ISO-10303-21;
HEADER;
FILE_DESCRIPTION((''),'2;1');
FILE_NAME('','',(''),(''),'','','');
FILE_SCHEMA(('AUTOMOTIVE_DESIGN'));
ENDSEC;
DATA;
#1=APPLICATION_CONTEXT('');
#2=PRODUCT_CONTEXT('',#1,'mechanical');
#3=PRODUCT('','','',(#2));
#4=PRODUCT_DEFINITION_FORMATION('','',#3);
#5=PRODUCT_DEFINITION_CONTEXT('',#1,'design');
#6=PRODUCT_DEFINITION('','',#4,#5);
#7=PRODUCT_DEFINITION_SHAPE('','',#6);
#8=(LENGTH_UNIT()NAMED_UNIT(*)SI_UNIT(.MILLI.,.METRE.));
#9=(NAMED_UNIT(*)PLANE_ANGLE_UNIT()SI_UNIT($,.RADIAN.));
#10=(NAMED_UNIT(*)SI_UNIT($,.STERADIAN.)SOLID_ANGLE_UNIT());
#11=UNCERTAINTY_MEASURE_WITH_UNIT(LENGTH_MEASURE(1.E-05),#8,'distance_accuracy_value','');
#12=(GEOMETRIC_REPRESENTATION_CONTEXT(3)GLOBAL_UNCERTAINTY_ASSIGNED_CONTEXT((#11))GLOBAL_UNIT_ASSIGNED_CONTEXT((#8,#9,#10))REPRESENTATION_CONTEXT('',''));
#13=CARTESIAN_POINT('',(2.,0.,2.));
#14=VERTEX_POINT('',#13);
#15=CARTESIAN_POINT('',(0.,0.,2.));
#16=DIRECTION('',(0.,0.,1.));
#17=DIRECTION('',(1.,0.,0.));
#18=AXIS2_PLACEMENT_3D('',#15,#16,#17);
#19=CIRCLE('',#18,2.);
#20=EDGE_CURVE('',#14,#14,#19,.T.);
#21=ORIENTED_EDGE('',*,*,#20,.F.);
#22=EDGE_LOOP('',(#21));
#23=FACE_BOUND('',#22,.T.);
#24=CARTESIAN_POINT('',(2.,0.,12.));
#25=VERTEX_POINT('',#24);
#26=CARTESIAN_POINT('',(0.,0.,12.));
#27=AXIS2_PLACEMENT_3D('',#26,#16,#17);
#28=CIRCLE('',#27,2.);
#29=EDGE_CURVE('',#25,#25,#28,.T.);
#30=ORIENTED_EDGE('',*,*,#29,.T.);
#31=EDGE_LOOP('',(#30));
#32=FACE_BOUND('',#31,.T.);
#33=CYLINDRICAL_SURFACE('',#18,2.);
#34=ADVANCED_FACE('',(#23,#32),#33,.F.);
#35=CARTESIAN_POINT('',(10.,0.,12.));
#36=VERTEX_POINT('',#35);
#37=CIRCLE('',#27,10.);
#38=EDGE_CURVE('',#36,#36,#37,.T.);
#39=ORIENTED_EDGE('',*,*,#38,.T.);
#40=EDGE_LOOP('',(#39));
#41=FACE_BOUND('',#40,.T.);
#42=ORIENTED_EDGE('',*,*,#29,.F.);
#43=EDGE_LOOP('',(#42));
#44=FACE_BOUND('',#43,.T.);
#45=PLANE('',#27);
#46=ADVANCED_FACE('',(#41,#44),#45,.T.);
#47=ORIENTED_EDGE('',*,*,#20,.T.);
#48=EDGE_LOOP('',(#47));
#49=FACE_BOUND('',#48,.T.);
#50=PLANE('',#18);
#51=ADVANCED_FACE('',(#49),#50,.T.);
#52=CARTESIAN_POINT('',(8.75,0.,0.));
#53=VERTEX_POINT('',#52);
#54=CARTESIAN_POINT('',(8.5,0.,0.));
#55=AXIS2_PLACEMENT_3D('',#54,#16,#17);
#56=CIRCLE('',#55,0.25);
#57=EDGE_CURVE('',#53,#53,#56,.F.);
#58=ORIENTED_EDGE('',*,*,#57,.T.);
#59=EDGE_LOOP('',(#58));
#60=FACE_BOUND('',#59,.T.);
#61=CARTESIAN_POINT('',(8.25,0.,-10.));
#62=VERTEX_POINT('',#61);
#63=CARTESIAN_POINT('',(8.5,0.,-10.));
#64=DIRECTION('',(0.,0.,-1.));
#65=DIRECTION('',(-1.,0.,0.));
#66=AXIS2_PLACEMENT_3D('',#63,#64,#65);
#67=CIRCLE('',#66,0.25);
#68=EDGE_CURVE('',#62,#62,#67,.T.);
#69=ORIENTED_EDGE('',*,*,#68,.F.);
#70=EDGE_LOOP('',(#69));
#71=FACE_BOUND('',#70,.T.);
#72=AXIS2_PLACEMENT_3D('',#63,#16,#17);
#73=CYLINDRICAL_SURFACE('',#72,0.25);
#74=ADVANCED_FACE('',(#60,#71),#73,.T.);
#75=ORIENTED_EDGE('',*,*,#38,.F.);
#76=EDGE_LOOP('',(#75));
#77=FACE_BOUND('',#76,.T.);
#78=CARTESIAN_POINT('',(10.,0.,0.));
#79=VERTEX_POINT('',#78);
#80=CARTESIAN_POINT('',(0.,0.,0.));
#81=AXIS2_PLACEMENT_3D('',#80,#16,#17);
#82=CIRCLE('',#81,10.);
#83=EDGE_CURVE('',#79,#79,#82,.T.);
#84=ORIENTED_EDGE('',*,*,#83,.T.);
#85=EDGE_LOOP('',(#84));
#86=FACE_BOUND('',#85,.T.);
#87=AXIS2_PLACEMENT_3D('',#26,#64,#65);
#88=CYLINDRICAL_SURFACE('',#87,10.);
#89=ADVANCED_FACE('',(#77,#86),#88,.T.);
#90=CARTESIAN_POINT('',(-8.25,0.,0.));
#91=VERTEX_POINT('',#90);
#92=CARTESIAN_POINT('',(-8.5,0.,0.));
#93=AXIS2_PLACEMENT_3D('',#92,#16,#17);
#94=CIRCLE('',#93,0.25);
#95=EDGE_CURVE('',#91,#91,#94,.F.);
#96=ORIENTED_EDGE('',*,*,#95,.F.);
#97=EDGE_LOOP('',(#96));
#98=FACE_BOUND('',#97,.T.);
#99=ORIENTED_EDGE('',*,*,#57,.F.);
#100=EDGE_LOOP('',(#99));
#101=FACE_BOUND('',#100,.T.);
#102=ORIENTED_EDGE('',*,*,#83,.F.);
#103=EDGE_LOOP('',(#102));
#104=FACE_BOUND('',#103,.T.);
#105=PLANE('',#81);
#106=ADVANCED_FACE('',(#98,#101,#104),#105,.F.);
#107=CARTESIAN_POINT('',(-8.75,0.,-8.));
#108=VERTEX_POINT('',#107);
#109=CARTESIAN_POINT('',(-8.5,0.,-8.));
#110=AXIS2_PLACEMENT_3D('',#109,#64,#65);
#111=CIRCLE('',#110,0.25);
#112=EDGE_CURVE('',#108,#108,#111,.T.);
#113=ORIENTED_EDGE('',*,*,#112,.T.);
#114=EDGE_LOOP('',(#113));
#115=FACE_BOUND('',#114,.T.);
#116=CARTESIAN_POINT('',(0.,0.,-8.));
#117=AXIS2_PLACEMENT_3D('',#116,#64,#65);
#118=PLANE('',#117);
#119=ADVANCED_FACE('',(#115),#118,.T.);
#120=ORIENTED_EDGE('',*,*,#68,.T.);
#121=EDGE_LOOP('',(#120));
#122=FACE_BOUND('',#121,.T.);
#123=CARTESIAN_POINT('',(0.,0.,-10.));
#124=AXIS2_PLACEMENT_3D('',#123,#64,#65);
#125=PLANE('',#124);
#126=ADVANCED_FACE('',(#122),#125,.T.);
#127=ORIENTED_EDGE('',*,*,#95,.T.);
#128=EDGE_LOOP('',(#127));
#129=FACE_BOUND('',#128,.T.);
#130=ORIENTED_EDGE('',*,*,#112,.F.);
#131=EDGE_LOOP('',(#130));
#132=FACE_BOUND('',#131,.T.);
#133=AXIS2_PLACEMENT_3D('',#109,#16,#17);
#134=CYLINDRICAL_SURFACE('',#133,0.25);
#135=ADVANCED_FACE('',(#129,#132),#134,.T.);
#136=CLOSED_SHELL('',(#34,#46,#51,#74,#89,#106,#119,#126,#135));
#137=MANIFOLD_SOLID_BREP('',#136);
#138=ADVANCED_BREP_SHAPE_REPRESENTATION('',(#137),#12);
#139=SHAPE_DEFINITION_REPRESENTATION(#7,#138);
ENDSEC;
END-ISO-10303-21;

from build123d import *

# Parameters (mm, degrees)
SKETCH1_R           = 10
BOSS_EXTRUDE1_DEPTH = 12
SKETCH2_R           = 2
CUT_EXTRUDE1_DEPTH  = 10
SKETCH3_R           = 0.25
BOSS_EXTRUDE2_DEPTH = 10
SKETCH3_3_R         = 0.25
BOSS_EXTRUDE3_DEPTH = 8


with BuildPart() as part:
    # Sketch1 → Boss-Extrude1 (new body)
    with BuildSketch(Plane.XY):
        Circle(SKETCH1_R)
    extrude(amount=BOSS_EXTRUDE1_DEPTH)

    # Sketch2 → Cut-Extrude1 (cut)
    with BuildSketch(Plane.XY.offset(12)):
        Circle(SKETCH2_R)
    extrude(amount=-CUT_EXTRUDE1_DEPTH, mode=Mode.SUBTRACT)

    # Sketch3 → Boss-Extrude2 (add)
    with BuildSketch(Plane(origin=(0, 0, 0), x_dir=(-1, 0, 0), z_dir=(0, 0, -1))):
        with Locations((-8.5, 0)):
            Circle(SKETCH3_R)
    extrude(amount=BOSS_EXTRUDE2_DEPTH)

    # Sketch3<3> → Boss-Extrude3 (add)
    with BuildSketch(Plane(origin=(0, 0, 0), x_dir=(-1, 0, 0), z_dir=(0, 0, -1))):
        with Locations((8.5, 0)):
            Circle(SKETCH3_3_R)
    extrude(amount=BOSS_EXTRUDE3_DEPTH)


solid = part.part
